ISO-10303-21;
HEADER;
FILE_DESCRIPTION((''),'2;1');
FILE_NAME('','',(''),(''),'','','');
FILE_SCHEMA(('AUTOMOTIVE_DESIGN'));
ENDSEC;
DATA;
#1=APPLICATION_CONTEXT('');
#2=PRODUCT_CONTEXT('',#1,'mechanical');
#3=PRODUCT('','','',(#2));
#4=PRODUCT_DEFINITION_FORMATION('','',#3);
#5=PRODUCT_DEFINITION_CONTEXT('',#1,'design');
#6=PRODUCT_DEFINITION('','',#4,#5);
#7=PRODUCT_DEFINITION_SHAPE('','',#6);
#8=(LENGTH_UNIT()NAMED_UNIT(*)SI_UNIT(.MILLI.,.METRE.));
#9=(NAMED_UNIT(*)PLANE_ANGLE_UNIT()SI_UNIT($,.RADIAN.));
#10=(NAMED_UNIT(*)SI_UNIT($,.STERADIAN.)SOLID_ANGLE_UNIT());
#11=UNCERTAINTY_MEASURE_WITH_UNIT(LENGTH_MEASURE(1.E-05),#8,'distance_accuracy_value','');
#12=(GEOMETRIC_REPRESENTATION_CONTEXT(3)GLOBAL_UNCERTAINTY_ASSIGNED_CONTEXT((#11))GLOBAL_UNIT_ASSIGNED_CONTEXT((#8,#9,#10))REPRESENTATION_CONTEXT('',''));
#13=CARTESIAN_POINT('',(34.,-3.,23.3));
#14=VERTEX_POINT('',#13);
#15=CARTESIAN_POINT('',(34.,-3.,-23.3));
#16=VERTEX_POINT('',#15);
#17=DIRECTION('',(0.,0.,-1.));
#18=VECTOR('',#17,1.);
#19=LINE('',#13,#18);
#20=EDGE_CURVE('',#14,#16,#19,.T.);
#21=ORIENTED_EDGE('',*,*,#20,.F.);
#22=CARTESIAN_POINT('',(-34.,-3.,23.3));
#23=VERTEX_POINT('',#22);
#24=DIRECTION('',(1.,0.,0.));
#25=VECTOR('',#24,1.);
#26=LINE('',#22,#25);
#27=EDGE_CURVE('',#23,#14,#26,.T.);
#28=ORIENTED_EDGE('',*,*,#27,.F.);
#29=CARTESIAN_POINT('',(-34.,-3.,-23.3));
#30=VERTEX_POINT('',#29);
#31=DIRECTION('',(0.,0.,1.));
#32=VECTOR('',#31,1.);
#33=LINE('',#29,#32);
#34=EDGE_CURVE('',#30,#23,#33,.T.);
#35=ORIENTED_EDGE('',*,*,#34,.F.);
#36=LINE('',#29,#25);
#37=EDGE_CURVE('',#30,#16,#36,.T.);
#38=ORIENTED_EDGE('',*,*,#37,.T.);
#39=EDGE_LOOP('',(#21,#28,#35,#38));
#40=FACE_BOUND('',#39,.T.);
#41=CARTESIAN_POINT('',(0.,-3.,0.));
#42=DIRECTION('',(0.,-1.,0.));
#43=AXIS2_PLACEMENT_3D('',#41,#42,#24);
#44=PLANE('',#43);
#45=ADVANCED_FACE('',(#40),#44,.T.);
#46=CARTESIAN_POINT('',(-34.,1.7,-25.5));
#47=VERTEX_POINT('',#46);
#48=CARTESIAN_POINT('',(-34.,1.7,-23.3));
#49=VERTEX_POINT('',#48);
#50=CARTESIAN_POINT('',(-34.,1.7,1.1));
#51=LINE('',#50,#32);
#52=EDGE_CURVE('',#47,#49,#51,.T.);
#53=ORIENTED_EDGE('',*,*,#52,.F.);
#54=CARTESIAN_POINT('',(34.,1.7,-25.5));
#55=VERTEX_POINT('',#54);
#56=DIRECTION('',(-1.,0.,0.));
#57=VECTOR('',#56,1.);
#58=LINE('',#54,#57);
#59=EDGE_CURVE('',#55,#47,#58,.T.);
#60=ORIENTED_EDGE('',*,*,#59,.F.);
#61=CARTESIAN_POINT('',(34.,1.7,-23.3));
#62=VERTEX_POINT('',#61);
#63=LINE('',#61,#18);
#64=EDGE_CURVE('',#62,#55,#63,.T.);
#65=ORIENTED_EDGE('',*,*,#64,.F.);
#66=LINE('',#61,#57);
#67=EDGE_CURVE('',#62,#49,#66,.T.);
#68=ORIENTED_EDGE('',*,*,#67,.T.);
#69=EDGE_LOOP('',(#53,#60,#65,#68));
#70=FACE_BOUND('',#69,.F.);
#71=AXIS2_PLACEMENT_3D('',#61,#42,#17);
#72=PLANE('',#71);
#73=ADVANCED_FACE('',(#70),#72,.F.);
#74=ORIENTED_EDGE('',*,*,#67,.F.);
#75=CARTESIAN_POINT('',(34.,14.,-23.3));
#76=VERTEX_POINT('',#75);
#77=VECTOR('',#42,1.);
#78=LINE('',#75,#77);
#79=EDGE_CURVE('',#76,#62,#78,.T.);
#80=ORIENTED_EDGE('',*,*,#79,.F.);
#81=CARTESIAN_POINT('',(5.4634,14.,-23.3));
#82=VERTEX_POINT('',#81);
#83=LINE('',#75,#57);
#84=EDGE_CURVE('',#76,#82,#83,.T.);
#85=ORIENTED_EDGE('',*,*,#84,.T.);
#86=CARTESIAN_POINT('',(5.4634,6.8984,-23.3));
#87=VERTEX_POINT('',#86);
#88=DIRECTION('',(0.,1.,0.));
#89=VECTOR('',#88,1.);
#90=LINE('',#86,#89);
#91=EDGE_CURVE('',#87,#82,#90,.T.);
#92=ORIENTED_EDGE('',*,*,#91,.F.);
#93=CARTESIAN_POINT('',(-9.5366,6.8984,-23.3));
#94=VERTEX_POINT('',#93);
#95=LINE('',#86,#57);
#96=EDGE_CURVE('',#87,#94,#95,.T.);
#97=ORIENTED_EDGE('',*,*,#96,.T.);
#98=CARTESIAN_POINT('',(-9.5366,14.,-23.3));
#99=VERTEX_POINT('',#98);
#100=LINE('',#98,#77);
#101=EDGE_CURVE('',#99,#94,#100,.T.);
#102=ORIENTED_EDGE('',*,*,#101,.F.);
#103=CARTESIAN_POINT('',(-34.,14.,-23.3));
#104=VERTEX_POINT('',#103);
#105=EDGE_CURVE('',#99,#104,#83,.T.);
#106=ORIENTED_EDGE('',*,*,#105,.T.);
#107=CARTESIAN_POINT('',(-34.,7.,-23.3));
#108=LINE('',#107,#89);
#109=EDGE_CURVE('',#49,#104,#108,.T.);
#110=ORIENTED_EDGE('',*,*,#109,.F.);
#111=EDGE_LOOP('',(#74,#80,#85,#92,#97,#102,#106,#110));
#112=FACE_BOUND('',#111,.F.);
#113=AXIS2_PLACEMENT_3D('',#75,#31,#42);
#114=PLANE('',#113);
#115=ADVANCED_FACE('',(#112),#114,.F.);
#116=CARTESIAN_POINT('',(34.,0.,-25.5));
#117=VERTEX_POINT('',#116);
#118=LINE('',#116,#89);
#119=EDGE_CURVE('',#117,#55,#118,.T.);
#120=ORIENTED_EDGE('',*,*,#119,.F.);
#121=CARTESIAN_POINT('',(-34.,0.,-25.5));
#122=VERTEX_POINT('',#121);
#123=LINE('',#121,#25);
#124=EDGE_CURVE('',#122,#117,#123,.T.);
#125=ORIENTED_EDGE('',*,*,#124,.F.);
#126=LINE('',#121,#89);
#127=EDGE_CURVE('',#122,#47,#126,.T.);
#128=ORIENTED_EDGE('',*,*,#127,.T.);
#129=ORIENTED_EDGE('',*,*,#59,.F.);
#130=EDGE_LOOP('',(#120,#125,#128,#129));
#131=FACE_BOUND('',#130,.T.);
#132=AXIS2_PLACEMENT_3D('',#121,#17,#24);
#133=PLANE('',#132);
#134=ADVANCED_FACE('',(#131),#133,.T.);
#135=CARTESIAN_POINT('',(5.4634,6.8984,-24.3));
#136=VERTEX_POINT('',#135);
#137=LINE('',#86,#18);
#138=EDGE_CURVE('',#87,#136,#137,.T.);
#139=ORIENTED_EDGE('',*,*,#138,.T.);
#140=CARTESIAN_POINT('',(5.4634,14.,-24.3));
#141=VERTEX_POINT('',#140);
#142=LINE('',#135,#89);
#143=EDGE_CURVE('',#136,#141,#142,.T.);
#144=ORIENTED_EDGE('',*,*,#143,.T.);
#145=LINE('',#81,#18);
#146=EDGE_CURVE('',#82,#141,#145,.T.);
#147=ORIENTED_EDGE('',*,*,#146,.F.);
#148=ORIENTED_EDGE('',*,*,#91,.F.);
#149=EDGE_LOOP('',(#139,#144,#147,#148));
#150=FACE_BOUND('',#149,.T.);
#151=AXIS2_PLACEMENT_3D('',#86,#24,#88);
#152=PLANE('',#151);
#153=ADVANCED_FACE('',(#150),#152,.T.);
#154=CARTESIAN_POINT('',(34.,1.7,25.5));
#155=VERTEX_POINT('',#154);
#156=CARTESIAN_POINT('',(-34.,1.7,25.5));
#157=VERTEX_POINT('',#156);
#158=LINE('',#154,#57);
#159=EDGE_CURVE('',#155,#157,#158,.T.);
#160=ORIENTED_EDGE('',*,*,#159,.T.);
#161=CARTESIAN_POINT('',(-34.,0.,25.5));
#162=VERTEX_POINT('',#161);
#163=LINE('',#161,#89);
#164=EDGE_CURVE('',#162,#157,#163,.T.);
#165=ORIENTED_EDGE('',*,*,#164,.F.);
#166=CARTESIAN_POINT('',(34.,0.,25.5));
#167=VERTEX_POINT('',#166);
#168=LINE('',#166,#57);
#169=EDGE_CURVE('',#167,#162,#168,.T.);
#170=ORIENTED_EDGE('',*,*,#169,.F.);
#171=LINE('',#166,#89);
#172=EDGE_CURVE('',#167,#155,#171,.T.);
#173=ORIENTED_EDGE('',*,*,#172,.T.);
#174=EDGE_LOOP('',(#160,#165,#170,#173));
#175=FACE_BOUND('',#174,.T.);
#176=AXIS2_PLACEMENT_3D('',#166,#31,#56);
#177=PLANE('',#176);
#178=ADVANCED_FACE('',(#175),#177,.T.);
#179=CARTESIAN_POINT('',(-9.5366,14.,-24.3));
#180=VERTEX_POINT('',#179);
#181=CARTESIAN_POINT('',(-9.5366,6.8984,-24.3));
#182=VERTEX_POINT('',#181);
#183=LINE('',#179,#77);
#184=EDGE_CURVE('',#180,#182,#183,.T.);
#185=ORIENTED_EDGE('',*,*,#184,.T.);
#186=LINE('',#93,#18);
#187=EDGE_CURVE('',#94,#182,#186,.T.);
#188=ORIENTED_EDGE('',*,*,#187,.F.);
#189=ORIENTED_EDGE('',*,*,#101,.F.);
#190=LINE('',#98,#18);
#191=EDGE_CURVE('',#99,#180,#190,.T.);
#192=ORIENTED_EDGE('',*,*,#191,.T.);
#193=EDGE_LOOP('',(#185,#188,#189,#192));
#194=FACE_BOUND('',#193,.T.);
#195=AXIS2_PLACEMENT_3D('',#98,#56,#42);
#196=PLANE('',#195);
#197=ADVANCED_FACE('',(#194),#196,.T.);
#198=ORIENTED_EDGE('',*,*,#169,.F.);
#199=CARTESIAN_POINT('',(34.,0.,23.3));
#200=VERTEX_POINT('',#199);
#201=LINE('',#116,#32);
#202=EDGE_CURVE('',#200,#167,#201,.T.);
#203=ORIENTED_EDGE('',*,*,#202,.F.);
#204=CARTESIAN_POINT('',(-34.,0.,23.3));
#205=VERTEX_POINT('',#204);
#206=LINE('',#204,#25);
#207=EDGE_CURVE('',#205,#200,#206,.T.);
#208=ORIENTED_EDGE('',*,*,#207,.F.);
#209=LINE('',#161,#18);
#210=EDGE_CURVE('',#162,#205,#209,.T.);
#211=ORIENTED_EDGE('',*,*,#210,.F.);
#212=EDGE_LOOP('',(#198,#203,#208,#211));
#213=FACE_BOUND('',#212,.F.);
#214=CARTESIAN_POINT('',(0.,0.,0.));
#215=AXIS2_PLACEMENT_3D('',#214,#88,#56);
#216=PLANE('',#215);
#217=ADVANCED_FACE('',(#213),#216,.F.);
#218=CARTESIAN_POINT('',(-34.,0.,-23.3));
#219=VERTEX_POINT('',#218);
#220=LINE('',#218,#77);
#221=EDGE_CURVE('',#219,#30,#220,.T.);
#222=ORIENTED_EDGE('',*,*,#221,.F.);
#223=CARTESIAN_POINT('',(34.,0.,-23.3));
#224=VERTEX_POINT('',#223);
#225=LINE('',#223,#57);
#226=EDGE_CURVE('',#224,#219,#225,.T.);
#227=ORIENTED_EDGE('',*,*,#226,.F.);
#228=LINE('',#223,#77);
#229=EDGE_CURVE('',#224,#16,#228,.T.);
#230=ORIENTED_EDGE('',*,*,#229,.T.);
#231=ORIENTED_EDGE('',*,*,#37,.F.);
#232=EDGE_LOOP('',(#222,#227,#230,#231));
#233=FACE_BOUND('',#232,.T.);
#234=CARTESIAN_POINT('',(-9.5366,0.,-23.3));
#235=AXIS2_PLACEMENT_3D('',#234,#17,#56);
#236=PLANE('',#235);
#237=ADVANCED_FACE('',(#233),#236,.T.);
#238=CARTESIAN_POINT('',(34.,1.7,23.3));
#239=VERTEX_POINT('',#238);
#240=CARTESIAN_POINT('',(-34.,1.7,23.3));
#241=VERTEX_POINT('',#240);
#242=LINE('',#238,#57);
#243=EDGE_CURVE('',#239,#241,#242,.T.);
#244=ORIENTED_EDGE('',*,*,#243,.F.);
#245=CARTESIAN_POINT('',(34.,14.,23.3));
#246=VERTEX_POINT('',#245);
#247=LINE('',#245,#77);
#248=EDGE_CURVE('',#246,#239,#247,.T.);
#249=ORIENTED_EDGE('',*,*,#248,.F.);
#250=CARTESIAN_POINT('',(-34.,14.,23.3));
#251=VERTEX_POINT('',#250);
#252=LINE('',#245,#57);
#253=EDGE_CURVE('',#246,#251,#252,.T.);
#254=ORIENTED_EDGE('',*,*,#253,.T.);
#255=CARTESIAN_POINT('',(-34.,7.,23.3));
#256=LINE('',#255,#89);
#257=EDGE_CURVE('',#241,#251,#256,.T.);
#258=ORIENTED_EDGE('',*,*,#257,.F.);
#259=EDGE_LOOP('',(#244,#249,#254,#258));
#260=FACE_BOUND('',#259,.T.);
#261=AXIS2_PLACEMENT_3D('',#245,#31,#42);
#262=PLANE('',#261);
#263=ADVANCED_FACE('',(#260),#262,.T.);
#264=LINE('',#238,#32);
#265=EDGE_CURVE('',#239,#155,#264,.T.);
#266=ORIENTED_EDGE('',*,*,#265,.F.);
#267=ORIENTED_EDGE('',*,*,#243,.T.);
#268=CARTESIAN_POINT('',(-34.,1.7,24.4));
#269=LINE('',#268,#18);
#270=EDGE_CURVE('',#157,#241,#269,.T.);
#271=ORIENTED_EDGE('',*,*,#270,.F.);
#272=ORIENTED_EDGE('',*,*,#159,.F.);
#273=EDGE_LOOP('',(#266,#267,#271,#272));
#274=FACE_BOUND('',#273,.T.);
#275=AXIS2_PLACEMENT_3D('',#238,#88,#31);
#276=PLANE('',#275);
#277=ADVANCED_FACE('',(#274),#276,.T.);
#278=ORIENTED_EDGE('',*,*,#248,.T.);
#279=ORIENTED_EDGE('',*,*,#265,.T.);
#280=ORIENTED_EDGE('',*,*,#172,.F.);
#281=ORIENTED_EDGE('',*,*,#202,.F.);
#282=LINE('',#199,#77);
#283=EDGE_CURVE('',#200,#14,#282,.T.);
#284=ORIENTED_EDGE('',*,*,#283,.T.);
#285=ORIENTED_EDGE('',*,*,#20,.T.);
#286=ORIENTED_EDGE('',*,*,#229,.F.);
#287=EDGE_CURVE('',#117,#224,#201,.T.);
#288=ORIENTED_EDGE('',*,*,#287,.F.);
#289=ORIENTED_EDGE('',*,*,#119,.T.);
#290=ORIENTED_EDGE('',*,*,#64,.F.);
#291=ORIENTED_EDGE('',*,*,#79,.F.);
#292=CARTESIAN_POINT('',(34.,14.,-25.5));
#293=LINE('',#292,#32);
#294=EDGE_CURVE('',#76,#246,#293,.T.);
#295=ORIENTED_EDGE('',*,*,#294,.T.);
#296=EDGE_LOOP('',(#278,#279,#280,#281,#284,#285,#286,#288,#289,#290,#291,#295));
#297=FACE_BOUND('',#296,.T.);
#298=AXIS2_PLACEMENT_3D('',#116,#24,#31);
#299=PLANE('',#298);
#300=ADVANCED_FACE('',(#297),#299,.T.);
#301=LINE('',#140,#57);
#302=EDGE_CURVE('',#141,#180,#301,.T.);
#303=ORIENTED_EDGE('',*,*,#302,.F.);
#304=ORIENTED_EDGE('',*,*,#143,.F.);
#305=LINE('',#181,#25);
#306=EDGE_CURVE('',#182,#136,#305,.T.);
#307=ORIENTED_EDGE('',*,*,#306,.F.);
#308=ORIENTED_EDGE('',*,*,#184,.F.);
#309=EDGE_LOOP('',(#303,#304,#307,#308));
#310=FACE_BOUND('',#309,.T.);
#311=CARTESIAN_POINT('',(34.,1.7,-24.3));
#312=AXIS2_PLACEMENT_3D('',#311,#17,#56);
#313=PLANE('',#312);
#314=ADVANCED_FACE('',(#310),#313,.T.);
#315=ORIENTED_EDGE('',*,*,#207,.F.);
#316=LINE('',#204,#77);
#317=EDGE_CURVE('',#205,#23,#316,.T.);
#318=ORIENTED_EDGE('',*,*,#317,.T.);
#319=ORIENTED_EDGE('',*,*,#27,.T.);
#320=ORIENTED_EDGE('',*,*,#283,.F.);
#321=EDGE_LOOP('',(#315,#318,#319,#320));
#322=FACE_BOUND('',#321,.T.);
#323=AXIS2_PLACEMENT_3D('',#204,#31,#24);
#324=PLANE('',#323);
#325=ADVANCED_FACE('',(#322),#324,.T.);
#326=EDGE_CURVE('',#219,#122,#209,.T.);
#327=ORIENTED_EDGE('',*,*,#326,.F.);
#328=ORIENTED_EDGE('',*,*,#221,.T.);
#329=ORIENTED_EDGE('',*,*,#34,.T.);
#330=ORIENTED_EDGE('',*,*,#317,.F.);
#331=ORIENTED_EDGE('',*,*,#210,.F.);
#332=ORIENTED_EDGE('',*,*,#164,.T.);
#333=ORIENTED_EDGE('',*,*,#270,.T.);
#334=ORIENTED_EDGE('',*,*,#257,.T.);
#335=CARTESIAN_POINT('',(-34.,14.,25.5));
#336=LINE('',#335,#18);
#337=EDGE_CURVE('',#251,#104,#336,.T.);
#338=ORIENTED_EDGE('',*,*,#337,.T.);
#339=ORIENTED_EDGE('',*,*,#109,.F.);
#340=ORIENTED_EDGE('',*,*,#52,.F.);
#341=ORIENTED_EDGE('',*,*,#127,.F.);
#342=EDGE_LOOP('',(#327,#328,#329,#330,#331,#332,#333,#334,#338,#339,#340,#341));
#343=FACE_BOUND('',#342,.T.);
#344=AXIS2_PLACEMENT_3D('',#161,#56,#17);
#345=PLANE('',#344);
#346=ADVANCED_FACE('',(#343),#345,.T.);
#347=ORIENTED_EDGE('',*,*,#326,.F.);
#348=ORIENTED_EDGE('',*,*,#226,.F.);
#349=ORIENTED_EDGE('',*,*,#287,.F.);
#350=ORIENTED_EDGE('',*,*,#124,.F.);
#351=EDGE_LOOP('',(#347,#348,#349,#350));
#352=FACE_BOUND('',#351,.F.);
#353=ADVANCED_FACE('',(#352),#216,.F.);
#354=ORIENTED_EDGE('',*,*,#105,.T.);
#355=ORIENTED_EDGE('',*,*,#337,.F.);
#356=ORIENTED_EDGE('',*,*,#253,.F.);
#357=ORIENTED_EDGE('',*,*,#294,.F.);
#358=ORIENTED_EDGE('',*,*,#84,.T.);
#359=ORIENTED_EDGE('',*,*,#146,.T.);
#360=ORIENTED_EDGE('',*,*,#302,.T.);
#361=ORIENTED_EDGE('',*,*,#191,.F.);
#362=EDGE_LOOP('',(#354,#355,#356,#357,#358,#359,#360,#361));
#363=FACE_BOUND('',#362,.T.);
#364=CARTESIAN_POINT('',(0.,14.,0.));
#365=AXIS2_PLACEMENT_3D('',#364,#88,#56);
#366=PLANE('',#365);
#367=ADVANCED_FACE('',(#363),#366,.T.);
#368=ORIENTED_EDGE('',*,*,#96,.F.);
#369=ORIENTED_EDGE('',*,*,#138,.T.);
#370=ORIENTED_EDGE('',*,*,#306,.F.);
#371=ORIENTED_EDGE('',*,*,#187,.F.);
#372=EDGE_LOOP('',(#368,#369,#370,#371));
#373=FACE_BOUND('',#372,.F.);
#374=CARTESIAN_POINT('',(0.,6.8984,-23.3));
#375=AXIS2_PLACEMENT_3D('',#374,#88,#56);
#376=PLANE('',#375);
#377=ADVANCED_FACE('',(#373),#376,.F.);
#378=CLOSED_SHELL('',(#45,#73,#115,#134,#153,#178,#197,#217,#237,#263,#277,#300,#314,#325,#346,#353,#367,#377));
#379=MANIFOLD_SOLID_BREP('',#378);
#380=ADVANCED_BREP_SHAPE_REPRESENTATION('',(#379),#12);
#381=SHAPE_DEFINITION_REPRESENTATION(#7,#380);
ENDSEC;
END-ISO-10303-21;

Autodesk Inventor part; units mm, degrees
ref_plane "YZ Plane" through (0, 0, 0) normal (1, 0, 0) x (0, 1, 0)
ref_plane "XZ Plane" through (0, 0, 0) normal (0, 1, 0) x (-1, 0, 0)
ref_plane "XY Plane" through (0, 0, 0) normal (0, 0, 1) x (1, 0, 0)
sketch "Boceto1" plane through (0, 0, 0) normal (0, 1, 0) x (-1, 0, 0)
  line L0 (-34, 25.5) -> (34, 25.5)
  line L1 (34, 25.5) -> (34, -25.5)
  line L2 (34, -25.5) -> (-34, -25.5)
  line L3 (-34, -25.5) -> (-34, 25.5)
  line L4 (-34, 25.5) -> (34, -25.5) construction
  line L5 (34, 25.5) -> (-34, -25.5) construction
  point P0 (0, 0)
  dimension "d0" = 68
  dimension "d1" = 51
extrude "Extrusión1" add sketch "Boceto1" along normal blind 14
sketch "Boceto2" plane through (34, 0, 25.5) normal (1, 0, 0) x (0, 0, -1)
  line L0 (51, 0) -> (0, 0) projected
  line L1 (0, 0) -> (2.2, 0)
  line L2 (2.2, 0) -> (2.2, 1.7)
  line L3 (2.2, 1.7) -> (0, 1.7)
  line L4 (0, 1.7) -> (0, 0)
  line L5 (0, 0) -> (0, 14) projected
  line L6 (2.2, 1.7) -> (0, 1.7)
  line L7 (0, 1.7) -> (0, 14)
  line L8 (0, 14) -> (2.2, 14)
  line L9 (2.2, 14) -> (2.2, 1.7)
  line L10 (25.5, -2.8463) -> (25.5, 17.6313)
  line L11 (48.8, 1.7) -> (51, 1.7)
  line L12 (51, 0) -> (51, 14)
  line L13 (51, 14) -> (48.8, 14)
  line L14 (48.8, 14) -> (48.8, 1.7)
  point P0 (25.5, 0)
  dimension "d4" = 2.2
  dimension "d5" = 1.7
  dimension "d8" = 51
  dimension "d9" = 12.3
  dimension "d10" = 46.6
extrude "Extrusión2" cut sketch "Boceto2" against normal through all contours L11 L14 L13 L12 | L3 L5 L8 L9
sketch "Boceto3" plane through (34, 1.7, -23.3) normal (0, 0, -1) x (-1, 0, 0)
  line L0 (68, 12.3) -> (0, 12.3) projected
  line L1 (0, 0) -> (68, 0) projected
  line L2 (0, 12.3) -> (34, 12.3)
  line L3 (34, 12.3) -> (34, 0)
  line L4 (34, 0) -> (0, 0)
  line L5 (0, 0) -> (0, 12.3)
  line L6 (68, 0) -> (68, 12.3) projected
  line L7 (68, 12.3) -> (34, 12.3)
  line L8 (34, 12.3) -> (34, 5.1984)
  line L9 (34, 5.1984) -> (68, 5.1984)
  line L10 (68, 5.1984) -> (68, 12.3)
  line L11 (34, 12.3) -> (23.5366, 12.3)
  line L12 (23.5366, 12.3) -> (28.5366, 12.3)
  line L13 (28.5366, 12.3) -> (43.5366, 12.3)
  line L14 (28.5366, 12.3) -> (43.5366, 12.3)
  line L15 (43.5366, 12.3) -> (43.5366, 5.1984)
  line L16 (43.5366, 5.1984) -> (28.5366, 5.1984)
  line L17 (28.5366, 5.1984) -> (28.5366, 12.3)
  point P0 (34, -1.7)
  point P1 (43.5366, 12.3)
  point P2 (28.5366, 12.3)
  point P3 (34, 5.1984)
  dimension "d11" = 34
  dimension "d12" = 5
  dimension "d13" = 15
extrude "Extrusión3" add sketch "Boceto3" along normal blind 1 contours L15 L9 L3 L0 | L3 L16 L17 L0
sketch "Boceto4" plane through (0, 0, 0) normal (0, -1, 0) x (1, 0, 0)
  line L0 (-34, 23.3) -> (34, 23.3) projected
  line L1 (-34, -23.3) -> (-34, 23.3) projected
  line L2 (34, 23.3) -> (-34, 23.3)
  line L3 (-9.5366, -23.3) -> (-34, -23.3) projected
  line L4 (-34, 23.3) -> (-34, -23.3)
  line L5 (34, 23.3) -> (34, -23.3) projected
  line L6 (-34, -23.3) -> (34, -23.3)
  line L7 (34, -23.3) -> (34, 23.3)
  point P0 (0, 0)
extrude "Extrusión4" add sketch "Boceto4" along normal blind 3
properties part number "PCB_Tamaño"
